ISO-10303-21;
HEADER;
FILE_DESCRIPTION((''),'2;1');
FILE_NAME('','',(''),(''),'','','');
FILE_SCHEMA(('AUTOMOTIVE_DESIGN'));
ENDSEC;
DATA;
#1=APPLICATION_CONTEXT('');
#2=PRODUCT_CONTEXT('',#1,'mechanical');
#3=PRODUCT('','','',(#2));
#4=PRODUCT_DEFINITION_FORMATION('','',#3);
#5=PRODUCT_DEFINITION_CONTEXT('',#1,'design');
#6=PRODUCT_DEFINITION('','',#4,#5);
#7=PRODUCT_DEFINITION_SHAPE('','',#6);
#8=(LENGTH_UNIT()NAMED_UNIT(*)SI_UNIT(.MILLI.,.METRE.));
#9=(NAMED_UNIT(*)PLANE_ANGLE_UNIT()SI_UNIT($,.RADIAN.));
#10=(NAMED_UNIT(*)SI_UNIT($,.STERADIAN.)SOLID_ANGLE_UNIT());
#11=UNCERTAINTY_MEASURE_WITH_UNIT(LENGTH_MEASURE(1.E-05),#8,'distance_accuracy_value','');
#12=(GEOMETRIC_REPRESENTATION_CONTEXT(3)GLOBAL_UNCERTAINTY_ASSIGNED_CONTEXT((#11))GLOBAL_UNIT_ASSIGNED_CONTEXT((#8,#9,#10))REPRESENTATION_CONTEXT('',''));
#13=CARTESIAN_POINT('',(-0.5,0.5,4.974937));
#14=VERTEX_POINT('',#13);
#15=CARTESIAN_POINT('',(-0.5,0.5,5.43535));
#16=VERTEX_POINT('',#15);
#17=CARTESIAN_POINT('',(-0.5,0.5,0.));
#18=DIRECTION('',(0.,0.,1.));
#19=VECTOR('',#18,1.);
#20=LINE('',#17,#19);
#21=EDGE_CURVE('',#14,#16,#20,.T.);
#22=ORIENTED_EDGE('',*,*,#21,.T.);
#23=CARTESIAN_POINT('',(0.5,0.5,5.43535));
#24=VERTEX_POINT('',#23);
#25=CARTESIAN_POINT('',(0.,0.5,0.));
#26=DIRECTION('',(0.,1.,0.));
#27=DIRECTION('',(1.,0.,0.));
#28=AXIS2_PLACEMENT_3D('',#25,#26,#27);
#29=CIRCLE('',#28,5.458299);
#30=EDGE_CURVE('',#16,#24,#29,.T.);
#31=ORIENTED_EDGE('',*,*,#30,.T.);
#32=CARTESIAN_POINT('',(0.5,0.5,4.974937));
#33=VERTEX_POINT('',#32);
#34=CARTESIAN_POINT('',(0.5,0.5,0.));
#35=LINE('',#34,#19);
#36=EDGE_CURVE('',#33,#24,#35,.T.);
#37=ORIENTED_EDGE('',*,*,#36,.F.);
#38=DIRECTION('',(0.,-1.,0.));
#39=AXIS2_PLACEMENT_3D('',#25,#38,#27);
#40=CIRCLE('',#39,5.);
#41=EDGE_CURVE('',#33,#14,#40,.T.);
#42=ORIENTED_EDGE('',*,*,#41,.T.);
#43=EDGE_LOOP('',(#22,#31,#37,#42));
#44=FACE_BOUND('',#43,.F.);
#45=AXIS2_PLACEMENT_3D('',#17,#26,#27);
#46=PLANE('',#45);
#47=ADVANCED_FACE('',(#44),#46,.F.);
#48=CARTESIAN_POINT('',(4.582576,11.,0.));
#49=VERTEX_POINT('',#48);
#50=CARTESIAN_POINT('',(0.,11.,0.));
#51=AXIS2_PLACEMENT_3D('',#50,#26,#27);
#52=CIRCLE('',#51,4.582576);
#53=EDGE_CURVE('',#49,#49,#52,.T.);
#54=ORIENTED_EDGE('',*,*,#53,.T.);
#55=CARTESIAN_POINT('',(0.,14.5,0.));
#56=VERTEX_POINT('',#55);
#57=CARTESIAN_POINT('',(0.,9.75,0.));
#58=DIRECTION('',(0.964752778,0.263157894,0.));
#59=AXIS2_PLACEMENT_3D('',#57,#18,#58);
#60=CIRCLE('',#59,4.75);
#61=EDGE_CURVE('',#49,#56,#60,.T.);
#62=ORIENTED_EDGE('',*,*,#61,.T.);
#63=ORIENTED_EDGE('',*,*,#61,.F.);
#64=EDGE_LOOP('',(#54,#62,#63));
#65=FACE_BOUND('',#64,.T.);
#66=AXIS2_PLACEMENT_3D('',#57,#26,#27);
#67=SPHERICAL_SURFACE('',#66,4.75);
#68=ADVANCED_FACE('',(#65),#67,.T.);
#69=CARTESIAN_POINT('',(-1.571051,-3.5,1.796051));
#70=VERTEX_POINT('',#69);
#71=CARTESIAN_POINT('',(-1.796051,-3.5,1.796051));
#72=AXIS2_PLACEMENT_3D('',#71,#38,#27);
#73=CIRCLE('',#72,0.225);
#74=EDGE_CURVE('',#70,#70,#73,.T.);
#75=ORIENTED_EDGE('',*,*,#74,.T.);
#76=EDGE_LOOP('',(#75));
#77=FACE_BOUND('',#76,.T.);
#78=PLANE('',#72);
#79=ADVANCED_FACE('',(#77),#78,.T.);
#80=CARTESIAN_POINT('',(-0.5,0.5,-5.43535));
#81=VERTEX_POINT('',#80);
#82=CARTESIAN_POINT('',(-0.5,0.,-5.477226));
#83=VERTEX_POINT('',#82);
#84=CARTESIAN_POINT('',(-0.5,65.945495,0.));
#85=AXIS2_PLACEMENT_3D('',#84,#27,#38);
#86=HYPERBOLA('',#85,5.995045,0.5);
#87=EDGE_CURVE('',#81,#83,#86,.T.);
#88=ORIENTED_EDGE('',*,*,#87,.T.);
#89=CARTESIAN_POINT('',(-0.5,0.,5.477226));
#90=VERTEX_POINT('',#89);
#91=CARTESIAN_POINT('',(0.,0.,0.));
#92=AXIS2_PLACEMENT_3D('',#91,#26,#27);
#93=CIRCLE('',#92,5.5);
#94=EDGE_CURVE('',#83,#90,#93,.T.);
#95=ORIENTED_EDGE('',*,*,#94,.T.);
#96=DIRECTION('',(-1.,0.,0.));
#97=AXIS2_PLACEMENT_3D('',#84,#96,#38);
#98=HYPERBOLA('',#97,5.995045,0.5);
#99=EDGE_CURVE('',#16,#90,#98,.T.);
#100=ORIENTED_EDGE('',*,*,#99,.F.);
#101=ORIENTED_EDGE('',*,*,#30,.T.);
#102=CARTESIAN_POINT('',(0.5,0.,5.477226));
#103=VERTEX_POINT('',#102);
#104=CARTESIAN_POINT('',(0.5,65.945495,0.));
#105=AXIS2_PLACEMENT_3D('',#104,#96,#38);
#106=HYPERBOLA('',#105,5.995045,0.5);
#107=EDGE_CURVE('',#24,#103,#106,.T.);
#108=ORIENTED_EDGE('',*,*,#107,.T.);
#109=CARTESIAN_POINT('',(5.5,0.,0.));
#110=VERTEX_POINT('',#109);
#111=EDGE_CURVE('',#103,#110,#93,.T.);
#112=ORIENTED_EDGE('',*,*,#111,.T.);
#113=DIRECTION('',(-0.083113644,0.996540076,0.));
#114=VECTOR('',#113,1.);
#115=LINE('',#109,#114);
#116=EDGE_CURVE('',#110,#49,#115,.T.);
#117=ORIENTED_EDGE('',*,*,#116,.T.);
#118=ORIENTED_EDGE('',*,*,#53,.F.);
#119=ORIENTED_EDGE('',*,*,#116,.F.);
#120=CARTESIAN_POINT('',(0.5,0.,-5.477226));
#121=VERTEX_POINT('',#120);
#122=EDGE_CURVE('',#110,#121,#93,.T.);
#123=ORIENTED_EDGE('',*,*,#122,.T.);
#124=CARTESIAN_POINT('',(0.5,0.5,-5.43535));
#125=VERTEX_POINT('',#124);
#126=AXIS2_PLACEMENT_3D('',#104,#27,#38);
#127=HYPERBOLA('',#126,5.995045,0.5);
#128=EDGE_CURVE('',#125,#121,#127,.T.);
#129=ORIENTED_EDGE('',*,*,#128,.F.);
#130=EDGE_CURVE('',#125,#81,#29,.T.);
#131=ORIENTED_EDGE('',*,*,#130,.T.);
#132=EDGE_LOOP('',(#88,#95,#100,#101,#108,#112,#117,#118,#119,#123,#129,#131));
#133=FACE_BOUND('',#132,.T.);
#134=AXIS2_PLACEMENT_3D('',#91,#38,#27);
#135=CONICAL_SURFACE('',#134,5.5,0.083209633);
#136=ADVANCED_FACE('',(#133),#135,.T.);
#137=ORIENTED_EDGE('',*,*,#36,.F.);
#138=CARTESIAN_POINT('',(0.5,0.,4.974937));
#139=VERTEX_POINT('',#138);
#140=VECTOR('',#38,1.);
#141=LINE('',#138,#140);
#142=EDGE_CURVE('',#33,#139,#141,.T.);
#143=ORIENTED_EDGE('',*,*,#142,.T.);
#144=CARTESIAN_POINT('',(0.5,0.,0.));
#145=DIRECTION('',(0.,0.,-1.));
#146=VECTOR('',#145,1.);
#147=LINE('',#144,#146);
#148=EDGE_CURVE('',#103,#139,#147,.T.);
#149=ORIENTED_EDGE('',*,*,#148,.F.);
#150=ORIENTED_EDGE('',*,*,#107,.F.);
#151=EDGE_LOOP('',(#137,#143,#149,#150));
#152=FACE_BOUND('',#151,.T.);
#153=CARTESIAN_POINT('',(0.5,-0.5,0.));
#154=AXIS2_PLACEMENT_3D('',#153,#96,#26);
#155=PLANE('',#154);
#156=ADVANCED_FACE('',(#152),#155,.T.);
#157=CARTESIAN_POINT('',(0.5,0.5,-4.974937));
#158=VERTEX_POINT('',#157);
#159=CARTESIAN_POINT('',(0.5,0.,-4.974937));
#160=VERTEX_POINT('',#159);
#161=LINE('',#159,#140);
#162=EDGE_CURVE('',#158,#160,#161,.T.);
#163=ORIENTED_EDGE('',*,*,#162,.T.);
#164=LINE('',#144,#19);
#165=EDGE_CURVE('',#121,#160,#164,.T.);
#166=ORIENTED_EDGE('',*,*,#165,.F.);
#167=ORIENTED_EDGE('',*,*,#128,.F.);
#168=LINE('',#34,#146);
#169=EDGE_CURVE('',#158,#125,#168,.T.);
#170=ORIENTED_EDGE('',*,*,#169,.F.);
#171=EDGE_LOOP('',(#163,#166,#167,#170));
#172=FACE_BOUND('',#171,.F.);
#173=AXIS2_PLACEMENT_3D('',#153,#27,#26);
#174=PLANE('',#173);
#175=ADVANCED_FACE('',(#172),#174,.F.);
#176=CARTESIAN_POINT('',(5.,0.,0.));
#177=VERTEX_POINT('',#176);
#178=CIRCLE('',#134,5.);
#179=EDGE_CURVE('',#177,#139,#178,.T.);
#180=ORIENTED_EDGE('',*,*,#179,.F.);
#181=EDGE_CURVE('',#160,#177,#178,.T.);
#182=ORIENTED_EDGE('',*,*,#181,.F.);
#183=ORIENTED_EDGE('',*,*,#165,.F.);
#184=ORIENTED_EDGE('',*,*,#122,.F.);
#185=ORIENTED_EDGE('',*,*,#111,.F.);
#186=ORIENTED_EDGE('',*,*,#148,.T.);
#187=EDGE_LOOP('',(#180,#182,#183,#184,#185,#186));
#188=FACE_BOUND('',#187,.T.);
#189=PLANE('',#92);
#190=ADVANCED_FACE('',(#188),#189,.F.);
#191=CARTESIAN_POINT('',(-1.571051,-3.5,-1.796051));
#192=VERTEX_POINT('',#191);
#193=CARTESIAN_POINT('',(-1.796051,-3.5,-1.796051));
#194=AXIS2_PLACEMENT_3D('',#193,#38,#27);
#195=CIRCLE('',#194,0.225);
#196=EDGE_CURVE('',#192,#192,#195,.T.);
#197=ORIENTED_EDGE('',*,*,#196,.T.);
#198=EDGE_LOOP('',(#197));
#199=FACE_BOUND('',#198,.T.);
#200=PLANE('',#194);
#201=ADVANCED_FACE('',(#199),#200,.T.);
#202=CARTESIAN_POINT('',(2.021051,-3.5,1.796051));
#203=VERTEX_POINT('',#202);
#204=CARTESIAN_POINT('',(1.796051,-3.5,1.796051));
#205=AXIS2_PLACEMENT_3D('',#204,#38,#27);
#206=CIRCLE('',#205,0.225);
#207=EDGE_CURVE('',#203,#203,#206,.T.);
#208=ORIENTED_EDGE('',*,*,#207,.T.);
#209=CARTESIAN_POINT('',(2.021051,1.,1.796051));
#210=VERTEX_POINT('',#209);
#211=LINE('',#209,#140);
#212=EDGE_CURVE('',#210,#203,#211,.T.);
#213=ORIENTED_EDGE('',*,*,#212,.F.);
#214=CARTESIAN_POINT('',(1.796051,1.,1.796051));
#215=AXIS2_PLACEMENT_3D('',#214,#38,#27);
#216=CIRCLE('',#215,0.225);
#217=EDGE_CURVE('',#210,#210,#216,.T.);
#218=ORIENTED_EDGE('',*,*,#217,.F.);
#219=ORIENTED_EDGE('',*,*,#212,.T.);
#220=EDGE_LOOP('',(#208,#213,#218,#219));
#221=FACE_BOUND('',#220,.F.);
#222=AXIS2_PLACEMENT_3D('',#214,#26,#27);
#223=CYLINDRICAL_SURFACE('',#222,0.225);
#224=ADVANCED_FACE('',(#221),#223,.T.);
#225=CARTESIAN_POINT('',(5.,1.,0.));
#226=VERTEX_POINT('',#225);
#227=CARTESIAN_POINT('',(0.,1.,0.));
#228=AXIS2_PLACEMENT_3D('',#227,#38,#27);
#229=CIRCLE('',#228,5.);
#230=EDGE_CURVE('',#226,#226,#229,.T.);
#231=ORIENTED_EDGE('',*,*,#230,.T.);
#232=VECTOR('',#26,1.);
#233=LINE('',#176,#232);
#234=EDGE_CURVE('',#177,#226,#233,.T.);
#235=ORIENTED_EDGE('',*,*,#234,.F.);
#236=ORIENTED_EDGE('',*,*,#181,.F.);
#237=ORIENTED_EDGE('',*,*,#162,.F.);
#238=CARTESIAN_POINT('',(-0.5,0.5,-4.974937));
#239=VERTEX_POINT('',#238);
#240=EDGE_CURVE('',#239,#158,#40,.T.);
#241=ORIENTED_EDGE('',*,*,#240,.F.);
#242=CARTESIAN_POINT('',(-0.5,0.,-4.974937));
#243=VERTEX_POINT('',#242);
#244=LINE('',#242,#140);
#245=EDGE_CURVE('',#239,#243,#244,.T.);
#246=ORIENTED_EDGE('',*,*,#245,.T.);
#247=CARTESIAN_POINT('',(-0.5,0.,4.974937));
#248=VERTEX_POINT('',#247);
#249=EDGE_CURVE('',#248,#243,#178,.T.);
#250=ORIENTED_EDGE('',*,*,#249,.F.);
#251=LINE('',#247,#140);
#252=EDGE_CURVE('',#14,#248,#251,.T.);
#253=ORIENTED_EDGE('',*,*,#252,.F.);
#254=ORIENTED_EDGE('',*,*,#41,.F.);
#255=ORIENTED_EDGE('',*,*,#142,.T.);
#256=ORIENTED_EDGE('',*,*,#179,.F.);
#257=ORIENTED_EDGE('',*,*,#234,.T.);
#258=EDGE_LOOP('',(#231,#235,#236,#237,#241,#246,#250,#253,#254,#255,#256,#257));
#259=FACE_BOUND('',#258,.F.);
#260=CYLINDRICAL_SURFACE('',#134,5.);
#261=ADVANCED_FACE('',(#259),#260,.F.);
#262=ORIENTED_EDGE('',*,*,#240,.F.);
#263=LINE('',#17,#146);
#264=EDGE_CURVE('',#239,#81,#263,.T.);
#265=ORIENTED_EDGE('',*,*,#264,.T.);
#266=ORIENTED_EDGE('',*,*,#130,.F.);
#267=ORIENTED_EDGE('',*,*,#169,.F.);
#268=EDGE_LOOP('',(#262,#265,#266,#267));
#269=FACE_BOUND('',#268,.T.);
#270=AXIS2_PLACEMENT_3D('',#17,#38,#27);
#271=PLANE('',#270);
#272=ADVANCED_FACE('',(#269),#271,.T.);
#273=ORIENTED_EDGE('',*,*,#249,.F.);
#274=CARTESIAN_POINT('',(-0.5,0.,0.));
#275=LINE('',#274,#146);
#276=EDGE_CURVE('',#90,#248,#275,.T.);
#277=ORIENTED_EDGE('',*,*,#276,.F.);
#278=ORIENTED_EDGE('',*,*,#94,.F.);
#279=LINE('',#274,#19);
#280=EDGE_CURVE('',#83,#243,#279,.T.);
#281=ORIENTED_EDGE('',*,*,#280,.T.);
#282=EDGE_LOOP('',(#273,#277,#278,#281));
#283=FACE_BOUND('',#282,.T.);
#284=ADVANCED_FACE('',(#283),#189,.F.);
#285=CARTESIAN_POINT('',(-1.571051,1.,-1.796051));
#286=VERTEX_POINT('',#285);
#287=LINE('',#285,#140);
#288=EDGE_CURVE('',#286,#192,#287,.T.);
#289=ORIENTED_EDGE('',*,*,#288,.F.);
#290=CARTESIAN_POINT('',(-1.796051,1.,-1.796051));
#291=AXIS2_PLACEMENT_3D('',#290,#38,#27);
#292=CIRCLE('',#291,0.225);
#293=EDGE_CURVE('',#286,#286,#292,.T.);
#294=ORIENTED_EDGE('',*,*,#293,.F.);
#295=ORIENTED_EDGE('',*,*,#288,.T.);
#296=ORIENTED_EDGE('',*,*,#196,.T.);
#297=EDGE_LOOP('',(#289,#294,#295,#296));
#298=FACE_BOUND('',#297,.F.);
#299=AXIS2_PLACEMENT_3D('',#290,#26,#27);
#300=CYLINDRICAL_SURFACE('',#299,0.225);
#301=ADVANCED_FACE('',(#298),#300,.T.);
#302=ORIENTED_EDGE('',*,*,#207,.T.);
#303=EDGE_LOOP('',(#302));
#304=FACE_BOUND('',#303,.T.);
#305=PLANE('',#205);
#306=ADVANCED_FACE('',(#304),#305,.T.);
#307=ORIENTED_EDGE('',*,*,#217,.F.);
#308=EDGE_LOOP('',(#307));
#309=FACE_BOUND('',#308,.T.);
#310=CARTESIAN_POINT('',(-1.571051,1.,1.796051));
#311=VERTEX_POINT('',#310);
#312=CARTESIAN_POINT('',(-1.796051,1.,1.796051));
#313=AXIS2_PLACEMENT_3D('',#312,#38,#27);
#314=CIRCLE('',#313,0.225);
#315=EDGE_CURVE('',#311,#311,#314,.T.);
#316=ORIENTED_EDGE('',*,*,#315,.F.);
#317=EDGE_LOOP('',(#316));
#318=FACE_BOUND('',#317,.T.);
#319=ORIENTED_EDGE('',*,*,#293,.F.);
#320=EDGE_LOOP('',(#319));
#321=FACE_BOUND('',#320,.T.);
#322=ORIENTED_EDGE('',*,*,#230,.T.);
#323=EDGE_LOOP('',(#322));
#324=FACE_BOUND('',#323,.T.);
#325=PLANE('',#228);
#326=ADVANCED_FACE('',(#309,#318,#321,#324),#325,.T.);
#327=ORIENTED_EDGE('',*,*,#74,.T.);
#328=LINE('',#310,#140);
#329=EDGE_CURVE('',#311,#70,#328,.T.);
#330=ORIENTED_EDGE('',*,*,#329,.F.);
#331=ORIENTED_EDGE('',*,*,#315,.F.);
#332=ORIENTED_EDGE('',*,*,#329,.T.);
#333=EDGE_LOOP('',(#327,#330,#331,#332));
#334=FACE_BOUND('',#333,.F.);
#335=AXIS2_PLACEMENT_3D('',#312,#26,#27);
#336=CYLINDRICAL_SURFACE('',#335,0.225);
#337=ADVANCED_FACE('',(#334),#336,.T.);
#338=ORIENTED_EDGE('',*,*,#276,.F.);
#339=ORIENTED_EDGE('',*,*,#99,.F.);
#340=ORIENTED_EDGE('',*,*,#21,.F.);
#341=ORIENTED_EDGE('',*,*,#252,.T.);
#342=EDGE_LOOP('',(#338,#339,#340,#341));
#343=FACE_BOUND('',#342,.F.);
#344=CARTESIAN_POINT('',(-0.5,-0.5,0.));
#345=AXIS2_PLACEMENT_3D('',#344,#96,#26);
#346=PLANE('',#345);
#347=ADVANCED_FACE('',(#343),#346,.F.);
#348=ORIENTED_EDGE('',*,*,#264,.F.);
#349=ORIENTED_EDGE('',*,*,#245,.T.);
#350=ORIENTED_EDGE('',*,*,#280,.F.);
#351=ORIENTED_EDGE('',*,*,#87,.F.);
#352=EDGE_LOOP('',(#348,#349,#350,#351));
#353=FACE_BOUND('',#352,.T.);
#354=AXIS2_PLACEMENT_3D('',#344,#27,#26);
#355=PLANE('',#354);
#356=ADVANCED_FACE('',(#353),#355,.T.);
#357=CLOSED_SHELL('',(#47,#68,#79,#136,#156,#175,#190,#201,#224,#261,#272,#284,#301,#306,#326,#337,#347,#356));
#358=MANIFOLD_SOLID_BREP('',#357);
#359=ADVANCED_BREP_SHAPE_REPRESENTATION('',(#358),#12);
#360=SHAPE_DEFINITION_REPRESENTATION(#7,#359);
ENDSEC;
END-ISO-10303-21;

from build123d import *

# Parameters (mm, degrees)
SKETCH2_R               = 5
CUT_EXTRUDE1_DEPTH      = 1
SKETCH3_W               = 1
SKETCH3_H               = 1
CUT_EXTRUDE2_DEPTH      = 12
CUT_EXTRUDE2_DEPTH_BACK = 6.5
SKETCH4_R               = 0.225
BOSS_EXTRUDE1_DEPTH     = 4.5


with BuildPart() as part:
    # Sketch1 → Revolve1 (revolve)
    with BuildSketch(Plane.XY):
        with BuildLine():
            Line((0, 0), (5.5, 0))
            Line((5.5, 0), (4.582575695, 11))
            ThreePointArc((4.582575695, 11), (2.883140649, 13.524917218), (0, 14.5))
            Line((0, 14.5), (0, 0))
        make_face()
    revolve(axis=Axis((0, 0, 0), (0, 1, 0)))

    # Sketch2 → Cut-Extrude1 (cut)
    with BuildSketch(Plane.XZ):
        Circle(SKETCH2_R)
    extrude(amount=-CUT_EXTRUDE1_DEPTH, mode=Mode.SUBTRACT)

    # Sketch3 → Cut-Extrude2 (cut, two sides)
    with BuildSketch(Plane.XY) as cut_extrude2_sk:
        Rectangle(SKETCH3_W, SKETCH3_H)
    extrude(amount=CUT_EXTRUDE2_DEPTH, mode=Mode.SUBTRACT)
    extrude(cut_extrude2_sk.sketch, amount=-CUT_EXTRUDE2_DEPTH_BACK, mode=Mode.SUBTRACT)

    # Sketch4 → Boss-Extrude1 (add)
    with BuildSketch(Plane.XZ.offset(-1)):
        with Locations((1.796051224, 1.796051224)):
            Circle(SKETCH4_R)
        with Locations((-1.796051224, 1.796051224)):
            Circle(SKETCH4_R)
        with Locations((-1.796051224, -1.796051224)):
            Circle(SKETCH4_R)
    extrude(amount=BOSS_EXTRUDE1_DEPTH)


solid = part.part
